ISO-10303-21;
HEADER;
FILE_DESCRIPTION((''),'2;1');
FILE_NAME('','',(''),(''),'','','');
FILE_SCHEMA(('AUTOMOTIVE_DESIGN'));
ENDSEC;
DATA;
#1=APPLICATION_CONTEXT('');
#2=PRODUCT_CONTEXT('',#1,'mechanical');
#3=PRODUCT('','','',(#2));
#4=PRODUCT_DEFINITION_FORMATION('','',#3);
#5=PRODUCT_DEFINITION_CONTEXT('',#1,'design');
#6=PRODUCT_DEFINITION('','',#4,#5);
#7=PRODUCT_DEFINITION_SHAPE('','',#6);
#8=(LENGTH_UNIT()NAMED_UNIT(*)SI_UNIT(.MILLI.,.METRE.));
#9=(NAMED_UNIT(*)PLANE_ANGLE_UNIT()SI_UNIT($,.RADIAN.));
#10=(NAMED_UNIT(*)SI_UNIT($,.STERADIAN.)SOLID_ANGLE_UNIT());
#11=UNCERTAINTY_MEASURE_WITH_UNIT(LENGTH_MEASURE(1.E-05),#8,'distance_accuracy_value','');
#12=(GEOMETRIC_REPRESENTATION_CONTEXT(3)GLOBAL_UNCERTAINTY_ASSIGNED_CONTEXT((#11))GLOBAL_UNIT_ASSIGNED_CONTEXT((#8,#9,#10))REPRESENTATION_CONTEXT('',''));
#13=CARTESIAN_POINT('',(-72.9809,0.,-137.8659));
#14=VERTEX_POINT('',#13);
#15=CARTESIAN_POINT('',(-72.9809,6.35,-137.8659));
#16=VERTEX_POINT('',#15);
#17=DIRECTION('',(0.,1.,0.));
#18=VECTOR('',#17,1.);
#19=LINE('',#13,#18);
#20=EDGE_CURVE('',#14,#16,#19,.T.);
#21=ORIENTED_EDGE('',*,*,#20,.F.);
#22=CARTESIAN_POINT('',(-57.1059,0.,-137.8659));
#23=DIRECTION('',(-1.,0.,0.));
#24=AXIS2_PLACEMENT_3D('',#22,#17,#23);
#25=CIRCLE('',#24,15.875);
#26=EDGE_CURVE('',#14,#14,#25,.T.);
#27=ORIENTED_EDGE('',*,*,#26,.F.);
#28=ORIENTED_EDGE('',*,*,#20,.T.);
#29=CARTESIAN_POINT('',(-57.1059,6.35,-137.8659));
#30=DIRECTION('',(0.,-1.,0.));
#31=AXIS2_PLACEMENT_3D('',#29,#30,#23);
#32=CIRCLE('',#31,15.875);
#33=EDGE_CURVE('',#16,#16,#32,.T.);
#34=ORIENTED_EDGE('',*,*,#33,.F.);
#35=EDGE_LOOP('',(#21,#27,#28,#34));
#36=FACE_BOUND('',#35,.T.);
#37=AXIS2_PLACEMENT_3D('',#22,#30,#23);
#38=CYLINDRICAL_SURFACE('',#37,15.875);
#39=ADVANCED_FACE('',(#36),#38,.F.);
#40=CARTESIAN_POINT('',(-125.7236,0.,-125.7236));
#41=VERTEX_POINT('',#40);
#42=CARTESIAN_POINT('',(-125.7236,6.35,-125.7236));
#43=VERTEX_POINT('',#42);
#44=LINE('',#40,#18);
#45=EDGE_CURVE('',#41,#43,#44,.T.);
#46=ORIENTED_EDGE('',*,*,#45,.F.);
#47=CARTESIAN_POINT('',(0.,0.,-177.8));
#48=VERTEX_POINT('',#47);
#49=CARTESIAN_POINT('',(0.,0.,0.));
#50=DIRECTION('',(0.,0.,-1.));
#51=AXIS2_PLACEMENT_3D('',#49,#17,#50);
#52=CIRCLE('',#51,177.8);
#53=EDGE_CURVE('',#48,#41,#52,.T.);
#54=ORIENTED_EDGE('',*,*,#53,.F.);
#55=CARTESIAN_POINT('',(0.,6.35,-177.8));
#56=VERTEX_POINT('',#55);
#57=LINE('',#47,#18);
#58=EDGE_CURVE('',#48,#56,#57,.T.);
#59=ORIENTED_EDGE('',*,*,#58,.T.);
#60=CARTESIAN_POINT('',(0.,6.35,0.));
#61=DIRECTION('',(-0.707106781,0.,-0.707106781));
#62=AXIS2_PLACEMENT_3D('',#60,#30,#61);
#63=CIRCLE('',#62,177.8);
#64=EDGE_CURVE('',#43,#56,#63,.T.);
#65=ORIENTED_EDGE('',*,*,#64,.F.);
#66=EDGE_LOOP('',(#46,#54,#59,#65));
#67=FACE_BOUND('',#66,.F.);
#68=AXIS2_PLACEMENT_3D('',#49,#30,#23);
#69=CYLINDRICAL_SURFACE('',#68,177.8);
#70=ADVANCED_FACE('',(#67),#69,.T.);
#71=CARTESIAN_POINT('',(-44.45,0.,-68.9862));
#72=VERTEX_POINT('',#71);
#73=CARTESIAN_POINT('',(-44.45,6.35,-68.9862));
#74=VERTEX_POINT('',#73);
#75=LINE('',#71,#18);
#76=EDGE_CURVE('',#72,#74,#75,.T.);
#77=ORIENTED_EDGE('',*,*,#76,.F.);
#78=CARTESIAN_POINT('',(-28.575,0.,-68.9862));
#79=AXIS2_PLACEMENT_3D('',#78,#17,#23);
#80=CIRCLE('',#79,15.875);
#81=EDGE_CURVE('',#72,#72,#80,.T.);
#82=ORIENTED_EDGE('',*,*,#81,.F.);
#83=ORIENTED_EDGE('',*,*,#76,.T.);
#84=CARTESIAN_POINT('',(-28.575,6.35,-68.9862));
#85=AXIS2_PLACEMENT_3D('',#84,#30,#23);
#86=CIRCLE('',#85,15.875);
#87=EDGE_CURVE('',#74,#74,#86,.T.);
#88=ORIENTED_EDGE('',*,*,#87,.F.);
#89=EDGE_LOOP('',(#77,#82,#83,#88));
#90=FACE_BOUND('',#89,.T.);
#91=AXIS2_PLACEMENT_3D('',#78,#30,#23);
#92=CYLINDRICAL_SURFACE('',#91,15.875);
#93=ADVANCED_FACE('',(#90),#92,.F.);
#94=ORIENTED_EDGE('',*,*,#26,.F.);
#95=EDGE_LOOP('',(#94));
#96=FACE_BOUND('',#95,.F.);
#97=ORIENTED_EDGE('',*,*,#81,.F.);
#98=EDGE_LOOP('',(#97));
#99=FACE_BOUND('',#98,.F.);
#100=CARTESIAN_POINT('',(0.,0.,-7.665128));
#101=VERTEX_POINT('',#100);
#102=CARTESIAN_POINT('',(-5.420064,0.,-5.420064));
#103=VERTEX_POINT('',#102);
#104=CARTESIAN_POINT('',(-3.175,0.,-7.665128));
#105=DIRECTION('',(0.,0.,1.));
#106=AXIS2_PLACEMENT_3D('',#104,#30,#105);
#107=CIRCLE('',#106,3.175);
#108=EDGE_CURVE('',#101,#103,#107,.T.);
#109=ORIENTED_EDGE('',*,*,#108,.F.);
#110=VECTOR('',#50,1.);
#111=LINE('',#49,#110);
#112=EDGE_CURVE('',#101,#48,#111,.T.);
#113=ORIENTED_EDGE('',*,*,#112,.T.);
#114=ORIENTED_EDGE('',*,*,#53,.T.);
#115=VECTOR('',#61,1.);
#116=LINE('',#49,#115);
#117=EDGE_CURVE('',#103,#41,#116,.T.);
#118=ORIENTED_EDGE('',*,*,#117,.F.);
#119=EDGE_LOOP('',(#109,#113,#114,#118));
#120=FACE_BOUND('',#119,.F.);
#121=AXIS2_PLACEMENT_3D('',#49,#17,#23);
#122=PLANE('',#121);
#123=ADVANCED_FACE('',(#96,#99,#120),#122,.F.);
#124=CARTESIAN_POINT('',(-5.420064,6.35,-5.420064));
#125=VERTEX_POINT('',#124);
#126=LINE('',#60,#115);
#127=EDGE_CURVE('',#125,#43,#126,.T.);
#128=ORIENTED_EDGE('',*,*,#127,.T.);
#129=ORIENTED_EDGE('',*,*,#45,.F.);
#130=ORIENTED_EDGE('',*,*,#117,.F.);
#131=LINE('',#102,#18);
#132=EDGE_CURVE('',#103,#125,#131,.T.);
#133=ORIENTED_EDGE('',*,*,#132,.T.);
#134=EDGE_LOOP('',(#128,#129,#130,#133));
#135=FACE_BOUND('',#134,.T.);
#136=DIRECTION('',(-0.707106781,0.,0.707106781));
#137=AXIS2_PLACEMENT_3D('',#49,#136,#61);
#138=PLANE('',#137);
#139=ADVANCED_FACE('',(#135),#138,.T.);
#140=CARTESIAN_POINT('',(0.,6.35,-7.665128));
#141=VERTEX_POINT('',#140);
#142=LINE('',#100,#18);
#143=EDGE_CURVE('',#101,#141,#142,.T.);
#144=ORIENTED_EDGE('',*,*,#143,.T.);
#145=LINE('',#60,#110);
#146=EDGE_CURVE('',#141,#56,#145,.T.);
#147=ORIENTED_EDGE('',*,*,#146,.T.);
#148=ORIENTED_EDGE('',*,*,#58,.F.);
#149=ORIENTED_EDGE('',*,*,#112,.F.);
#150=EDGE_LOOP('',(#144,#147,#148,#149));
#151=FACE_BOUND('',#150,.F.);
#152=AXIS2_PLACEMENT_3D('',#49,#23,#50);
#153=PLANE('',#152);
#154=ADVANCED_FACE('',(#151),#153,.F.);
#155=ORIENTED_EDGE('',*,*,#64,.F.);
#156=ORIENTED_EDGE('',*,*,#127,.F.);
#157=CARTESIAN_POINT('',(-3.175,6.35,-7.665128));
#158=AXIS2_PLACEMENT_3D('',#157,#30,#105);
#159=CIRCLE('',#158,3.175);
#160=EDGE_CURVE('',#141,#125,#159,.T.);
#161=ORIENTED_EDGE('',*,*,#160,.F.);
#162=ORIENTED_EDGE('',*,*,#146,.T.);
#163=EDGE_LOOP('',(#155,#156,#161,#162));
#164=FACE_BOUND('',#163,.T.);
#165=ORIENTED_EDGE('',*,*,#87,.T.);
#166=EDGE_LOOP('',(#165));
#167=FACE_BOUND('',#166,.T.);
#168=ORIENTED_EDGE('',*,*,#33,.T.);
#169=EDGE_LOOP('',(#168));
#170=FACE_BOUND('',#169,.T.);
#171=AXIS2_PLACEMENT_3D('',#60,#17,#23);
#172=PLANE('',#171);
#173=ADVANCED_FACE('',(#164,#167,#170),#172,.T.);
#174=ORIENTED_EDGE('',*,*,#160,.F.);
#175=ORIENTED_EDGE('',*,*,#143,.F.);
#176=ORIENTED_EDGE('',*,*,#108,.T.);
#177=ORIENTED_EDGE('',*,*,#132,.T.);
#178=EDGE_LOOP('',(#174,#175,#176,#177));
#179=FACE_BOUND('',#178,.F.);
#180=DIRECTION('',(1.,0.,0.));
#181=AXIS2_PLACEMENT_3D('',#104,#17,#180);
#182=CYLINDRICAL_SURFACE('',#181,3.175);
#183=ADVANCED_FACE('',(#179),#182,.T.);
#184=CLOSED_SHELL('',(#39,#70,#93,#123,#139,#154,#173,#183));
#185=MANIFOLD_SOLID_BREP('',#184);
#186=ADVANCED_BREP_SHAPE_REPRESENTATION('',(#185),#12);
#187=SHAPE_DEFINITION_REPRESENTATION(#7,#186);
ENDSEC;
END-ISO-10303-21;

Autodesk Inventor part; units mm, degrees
ref_plane "YZ Plane" through (0, 0, 0) normal (1, 0, 0) x (0, 1, 0)
ref_plane "XZ Plane" through (0, 0, 0) normal (0, 1, 0) x (-1, 0, 0)
ref_plane "XY Plane" through (0, 0, 0) normal (0, 0, 1) x (1, 0, 0)
sketch "Sketch1" plane through (0, 0, 0) normal (0, 1, 0) x (-1, 0, 0)
  circle A0 centre (0, 0) radius 177.8
  line L0 (0, 0) -> (0, -177.8)
  line L1 (0, 0) -> (177.8, 0) construction
  line L2 (0, 0) -> (125.7236, -125.7236)
  line L3 (0, 0) -> (177.8, 0) construction
  circle A1 centre (28.575, -68.9862) radius 15.875
  circle A2 centre (57.1059, -137.8659) radius 15.875
  line L4 (0, 0) -> (68.0411, -164.2658)
  line L5 (0, 0) -> (177.8, 0) construction
  dimension "d0" = 355.6
  dimension "d1" = 177.8
  dimension "d2" = 90
  dimension "d3" = 177.8
  dimension "d4" = 45
  dimension "d8" = 31.75
  dimension "d9" = 177.8
  dimension "d10" = 67.5
  dimension "d11" = 28.575
  dimension "d12" = 149.225
extrude "Extrusion1" add sketch "Sketch1" along normal blind 6.35 contours L0 L4 A1 A2 A0 | A0 L4 A2 A1 L2
fillet "Fillet1" radius 3.175 1 edges at (0, 3.175, 0)
properties part number "Todd"
